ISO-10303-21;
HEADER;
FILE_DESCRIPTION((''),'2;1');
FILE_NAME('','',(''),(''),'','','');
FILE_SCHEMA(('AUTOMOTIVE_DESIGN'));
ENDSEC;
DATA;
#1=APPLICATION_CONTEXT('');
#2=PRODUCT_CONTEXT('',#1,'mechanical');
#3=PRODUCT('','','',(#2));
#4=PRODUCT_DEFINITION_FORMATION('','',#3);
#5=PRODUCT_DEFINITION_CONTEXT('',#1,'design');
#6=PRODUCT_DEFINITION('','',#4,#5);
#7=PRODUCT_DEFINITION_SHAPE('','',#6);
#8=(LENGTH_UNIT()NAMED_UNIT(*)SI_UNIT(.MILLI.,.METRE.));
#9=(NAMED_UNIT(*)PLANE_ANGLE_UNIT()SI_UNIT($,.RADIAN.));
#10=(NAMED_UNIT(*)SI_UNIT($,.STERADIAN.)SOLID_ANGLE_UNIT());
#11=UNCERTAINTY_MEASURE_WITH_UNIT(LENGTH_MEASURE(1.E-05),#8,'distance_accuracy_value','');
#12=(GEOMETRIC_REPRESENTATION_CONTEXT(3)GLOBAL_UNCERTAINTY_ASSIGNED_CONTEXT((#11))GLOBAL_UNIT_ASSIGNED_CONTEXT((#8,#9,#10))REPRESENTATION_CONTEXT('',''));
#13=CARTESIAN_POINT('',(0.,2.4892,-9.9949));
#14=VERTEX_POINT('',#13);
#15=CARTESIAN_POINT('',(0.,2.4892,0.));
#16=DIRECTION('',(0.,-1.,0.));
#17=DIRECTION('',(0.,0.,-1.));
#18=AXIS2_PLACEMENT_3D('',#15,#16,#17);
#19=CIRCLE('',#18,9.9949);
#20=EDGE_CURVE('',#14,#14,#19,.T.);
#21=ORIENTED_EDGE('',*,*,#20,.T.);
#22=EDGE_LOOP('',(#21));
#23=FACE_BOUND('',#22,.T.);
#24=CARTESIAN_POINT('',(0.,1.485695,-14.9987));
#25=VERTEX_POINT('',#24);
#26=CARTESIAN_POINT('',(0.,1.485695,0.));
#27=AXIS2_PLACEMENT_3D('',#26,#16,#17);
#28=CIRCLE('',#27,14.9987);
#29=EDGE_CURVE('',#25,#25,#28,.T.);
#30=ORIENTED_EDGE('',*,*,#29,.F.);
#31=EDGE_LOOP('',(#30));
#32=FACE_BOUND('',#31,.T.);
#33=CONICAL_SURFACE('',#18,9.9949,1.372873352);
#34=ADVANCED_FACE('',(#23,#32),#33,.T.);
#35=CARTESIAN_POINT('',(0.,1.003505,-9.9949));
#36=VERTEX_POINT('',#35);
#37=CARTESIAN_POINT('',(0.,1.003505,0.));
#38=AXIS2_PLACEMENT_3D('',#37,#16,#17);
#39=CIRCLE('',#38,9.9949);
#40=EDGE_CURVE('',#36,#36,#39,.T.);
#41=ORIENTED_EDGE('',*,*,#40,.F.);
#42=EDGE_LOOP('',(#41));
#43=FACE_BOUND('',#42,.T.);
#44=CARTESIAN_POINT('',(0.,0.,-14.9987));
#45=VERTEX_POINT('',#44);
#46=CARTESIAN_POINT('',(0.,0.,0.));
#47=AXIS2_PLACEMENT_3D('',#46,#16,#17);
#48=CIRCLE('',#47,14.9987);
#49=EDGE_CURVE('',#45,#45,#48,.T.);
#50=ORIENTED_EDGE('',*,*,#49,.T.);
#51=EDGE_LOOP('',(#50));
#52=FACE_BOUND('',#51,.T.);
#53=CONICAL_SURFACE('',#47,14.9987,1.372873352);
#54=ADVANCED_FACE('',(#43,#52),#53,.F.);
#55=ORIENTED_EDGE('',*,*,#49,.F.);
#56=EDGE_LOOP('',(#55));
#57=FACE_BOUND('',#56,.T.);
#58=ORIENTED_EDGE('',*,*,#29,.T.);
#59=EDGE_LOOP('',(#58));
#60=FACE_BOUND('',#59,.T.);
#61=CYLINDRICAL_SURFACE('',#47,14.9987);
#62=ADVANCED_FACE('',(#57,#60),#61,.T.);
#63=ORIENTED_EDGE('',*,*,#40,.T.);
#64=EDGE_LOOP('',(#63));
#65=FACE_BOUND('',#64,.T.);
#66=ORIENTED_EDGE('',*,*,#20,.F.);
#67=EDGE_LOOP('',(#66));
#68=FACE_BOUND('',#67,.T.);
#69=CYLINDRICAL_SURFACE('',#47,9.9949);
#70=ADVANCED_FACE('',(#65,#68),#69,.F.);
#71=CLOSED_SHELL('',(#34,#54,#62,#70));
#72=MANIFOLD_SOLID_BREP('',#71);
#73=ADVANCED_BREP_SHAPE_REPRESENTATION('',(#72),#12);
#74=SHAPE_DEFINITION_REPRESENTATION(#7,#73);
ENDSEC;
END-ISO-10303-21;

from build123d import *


with BuildPart() as part:
    # Sketch1 → Revolve1 (revolve)
    with BuildSketch(Plane.XY, mode=Mode.PRIVATE) as revolve1_sk:
        Polygon((-14.9987, 0), (-9.9949, 1.003504931), (-9.9949, 2.4892), (-14.9987, 1.485695069), align=None)
    revolve(revolve1_sk.sketch.rotate(Axis((0, 0, 0), (0, 1, 0)), 270), axis=Axis((0, 0, 0), (0, 1, 0)))


solid = part.part
